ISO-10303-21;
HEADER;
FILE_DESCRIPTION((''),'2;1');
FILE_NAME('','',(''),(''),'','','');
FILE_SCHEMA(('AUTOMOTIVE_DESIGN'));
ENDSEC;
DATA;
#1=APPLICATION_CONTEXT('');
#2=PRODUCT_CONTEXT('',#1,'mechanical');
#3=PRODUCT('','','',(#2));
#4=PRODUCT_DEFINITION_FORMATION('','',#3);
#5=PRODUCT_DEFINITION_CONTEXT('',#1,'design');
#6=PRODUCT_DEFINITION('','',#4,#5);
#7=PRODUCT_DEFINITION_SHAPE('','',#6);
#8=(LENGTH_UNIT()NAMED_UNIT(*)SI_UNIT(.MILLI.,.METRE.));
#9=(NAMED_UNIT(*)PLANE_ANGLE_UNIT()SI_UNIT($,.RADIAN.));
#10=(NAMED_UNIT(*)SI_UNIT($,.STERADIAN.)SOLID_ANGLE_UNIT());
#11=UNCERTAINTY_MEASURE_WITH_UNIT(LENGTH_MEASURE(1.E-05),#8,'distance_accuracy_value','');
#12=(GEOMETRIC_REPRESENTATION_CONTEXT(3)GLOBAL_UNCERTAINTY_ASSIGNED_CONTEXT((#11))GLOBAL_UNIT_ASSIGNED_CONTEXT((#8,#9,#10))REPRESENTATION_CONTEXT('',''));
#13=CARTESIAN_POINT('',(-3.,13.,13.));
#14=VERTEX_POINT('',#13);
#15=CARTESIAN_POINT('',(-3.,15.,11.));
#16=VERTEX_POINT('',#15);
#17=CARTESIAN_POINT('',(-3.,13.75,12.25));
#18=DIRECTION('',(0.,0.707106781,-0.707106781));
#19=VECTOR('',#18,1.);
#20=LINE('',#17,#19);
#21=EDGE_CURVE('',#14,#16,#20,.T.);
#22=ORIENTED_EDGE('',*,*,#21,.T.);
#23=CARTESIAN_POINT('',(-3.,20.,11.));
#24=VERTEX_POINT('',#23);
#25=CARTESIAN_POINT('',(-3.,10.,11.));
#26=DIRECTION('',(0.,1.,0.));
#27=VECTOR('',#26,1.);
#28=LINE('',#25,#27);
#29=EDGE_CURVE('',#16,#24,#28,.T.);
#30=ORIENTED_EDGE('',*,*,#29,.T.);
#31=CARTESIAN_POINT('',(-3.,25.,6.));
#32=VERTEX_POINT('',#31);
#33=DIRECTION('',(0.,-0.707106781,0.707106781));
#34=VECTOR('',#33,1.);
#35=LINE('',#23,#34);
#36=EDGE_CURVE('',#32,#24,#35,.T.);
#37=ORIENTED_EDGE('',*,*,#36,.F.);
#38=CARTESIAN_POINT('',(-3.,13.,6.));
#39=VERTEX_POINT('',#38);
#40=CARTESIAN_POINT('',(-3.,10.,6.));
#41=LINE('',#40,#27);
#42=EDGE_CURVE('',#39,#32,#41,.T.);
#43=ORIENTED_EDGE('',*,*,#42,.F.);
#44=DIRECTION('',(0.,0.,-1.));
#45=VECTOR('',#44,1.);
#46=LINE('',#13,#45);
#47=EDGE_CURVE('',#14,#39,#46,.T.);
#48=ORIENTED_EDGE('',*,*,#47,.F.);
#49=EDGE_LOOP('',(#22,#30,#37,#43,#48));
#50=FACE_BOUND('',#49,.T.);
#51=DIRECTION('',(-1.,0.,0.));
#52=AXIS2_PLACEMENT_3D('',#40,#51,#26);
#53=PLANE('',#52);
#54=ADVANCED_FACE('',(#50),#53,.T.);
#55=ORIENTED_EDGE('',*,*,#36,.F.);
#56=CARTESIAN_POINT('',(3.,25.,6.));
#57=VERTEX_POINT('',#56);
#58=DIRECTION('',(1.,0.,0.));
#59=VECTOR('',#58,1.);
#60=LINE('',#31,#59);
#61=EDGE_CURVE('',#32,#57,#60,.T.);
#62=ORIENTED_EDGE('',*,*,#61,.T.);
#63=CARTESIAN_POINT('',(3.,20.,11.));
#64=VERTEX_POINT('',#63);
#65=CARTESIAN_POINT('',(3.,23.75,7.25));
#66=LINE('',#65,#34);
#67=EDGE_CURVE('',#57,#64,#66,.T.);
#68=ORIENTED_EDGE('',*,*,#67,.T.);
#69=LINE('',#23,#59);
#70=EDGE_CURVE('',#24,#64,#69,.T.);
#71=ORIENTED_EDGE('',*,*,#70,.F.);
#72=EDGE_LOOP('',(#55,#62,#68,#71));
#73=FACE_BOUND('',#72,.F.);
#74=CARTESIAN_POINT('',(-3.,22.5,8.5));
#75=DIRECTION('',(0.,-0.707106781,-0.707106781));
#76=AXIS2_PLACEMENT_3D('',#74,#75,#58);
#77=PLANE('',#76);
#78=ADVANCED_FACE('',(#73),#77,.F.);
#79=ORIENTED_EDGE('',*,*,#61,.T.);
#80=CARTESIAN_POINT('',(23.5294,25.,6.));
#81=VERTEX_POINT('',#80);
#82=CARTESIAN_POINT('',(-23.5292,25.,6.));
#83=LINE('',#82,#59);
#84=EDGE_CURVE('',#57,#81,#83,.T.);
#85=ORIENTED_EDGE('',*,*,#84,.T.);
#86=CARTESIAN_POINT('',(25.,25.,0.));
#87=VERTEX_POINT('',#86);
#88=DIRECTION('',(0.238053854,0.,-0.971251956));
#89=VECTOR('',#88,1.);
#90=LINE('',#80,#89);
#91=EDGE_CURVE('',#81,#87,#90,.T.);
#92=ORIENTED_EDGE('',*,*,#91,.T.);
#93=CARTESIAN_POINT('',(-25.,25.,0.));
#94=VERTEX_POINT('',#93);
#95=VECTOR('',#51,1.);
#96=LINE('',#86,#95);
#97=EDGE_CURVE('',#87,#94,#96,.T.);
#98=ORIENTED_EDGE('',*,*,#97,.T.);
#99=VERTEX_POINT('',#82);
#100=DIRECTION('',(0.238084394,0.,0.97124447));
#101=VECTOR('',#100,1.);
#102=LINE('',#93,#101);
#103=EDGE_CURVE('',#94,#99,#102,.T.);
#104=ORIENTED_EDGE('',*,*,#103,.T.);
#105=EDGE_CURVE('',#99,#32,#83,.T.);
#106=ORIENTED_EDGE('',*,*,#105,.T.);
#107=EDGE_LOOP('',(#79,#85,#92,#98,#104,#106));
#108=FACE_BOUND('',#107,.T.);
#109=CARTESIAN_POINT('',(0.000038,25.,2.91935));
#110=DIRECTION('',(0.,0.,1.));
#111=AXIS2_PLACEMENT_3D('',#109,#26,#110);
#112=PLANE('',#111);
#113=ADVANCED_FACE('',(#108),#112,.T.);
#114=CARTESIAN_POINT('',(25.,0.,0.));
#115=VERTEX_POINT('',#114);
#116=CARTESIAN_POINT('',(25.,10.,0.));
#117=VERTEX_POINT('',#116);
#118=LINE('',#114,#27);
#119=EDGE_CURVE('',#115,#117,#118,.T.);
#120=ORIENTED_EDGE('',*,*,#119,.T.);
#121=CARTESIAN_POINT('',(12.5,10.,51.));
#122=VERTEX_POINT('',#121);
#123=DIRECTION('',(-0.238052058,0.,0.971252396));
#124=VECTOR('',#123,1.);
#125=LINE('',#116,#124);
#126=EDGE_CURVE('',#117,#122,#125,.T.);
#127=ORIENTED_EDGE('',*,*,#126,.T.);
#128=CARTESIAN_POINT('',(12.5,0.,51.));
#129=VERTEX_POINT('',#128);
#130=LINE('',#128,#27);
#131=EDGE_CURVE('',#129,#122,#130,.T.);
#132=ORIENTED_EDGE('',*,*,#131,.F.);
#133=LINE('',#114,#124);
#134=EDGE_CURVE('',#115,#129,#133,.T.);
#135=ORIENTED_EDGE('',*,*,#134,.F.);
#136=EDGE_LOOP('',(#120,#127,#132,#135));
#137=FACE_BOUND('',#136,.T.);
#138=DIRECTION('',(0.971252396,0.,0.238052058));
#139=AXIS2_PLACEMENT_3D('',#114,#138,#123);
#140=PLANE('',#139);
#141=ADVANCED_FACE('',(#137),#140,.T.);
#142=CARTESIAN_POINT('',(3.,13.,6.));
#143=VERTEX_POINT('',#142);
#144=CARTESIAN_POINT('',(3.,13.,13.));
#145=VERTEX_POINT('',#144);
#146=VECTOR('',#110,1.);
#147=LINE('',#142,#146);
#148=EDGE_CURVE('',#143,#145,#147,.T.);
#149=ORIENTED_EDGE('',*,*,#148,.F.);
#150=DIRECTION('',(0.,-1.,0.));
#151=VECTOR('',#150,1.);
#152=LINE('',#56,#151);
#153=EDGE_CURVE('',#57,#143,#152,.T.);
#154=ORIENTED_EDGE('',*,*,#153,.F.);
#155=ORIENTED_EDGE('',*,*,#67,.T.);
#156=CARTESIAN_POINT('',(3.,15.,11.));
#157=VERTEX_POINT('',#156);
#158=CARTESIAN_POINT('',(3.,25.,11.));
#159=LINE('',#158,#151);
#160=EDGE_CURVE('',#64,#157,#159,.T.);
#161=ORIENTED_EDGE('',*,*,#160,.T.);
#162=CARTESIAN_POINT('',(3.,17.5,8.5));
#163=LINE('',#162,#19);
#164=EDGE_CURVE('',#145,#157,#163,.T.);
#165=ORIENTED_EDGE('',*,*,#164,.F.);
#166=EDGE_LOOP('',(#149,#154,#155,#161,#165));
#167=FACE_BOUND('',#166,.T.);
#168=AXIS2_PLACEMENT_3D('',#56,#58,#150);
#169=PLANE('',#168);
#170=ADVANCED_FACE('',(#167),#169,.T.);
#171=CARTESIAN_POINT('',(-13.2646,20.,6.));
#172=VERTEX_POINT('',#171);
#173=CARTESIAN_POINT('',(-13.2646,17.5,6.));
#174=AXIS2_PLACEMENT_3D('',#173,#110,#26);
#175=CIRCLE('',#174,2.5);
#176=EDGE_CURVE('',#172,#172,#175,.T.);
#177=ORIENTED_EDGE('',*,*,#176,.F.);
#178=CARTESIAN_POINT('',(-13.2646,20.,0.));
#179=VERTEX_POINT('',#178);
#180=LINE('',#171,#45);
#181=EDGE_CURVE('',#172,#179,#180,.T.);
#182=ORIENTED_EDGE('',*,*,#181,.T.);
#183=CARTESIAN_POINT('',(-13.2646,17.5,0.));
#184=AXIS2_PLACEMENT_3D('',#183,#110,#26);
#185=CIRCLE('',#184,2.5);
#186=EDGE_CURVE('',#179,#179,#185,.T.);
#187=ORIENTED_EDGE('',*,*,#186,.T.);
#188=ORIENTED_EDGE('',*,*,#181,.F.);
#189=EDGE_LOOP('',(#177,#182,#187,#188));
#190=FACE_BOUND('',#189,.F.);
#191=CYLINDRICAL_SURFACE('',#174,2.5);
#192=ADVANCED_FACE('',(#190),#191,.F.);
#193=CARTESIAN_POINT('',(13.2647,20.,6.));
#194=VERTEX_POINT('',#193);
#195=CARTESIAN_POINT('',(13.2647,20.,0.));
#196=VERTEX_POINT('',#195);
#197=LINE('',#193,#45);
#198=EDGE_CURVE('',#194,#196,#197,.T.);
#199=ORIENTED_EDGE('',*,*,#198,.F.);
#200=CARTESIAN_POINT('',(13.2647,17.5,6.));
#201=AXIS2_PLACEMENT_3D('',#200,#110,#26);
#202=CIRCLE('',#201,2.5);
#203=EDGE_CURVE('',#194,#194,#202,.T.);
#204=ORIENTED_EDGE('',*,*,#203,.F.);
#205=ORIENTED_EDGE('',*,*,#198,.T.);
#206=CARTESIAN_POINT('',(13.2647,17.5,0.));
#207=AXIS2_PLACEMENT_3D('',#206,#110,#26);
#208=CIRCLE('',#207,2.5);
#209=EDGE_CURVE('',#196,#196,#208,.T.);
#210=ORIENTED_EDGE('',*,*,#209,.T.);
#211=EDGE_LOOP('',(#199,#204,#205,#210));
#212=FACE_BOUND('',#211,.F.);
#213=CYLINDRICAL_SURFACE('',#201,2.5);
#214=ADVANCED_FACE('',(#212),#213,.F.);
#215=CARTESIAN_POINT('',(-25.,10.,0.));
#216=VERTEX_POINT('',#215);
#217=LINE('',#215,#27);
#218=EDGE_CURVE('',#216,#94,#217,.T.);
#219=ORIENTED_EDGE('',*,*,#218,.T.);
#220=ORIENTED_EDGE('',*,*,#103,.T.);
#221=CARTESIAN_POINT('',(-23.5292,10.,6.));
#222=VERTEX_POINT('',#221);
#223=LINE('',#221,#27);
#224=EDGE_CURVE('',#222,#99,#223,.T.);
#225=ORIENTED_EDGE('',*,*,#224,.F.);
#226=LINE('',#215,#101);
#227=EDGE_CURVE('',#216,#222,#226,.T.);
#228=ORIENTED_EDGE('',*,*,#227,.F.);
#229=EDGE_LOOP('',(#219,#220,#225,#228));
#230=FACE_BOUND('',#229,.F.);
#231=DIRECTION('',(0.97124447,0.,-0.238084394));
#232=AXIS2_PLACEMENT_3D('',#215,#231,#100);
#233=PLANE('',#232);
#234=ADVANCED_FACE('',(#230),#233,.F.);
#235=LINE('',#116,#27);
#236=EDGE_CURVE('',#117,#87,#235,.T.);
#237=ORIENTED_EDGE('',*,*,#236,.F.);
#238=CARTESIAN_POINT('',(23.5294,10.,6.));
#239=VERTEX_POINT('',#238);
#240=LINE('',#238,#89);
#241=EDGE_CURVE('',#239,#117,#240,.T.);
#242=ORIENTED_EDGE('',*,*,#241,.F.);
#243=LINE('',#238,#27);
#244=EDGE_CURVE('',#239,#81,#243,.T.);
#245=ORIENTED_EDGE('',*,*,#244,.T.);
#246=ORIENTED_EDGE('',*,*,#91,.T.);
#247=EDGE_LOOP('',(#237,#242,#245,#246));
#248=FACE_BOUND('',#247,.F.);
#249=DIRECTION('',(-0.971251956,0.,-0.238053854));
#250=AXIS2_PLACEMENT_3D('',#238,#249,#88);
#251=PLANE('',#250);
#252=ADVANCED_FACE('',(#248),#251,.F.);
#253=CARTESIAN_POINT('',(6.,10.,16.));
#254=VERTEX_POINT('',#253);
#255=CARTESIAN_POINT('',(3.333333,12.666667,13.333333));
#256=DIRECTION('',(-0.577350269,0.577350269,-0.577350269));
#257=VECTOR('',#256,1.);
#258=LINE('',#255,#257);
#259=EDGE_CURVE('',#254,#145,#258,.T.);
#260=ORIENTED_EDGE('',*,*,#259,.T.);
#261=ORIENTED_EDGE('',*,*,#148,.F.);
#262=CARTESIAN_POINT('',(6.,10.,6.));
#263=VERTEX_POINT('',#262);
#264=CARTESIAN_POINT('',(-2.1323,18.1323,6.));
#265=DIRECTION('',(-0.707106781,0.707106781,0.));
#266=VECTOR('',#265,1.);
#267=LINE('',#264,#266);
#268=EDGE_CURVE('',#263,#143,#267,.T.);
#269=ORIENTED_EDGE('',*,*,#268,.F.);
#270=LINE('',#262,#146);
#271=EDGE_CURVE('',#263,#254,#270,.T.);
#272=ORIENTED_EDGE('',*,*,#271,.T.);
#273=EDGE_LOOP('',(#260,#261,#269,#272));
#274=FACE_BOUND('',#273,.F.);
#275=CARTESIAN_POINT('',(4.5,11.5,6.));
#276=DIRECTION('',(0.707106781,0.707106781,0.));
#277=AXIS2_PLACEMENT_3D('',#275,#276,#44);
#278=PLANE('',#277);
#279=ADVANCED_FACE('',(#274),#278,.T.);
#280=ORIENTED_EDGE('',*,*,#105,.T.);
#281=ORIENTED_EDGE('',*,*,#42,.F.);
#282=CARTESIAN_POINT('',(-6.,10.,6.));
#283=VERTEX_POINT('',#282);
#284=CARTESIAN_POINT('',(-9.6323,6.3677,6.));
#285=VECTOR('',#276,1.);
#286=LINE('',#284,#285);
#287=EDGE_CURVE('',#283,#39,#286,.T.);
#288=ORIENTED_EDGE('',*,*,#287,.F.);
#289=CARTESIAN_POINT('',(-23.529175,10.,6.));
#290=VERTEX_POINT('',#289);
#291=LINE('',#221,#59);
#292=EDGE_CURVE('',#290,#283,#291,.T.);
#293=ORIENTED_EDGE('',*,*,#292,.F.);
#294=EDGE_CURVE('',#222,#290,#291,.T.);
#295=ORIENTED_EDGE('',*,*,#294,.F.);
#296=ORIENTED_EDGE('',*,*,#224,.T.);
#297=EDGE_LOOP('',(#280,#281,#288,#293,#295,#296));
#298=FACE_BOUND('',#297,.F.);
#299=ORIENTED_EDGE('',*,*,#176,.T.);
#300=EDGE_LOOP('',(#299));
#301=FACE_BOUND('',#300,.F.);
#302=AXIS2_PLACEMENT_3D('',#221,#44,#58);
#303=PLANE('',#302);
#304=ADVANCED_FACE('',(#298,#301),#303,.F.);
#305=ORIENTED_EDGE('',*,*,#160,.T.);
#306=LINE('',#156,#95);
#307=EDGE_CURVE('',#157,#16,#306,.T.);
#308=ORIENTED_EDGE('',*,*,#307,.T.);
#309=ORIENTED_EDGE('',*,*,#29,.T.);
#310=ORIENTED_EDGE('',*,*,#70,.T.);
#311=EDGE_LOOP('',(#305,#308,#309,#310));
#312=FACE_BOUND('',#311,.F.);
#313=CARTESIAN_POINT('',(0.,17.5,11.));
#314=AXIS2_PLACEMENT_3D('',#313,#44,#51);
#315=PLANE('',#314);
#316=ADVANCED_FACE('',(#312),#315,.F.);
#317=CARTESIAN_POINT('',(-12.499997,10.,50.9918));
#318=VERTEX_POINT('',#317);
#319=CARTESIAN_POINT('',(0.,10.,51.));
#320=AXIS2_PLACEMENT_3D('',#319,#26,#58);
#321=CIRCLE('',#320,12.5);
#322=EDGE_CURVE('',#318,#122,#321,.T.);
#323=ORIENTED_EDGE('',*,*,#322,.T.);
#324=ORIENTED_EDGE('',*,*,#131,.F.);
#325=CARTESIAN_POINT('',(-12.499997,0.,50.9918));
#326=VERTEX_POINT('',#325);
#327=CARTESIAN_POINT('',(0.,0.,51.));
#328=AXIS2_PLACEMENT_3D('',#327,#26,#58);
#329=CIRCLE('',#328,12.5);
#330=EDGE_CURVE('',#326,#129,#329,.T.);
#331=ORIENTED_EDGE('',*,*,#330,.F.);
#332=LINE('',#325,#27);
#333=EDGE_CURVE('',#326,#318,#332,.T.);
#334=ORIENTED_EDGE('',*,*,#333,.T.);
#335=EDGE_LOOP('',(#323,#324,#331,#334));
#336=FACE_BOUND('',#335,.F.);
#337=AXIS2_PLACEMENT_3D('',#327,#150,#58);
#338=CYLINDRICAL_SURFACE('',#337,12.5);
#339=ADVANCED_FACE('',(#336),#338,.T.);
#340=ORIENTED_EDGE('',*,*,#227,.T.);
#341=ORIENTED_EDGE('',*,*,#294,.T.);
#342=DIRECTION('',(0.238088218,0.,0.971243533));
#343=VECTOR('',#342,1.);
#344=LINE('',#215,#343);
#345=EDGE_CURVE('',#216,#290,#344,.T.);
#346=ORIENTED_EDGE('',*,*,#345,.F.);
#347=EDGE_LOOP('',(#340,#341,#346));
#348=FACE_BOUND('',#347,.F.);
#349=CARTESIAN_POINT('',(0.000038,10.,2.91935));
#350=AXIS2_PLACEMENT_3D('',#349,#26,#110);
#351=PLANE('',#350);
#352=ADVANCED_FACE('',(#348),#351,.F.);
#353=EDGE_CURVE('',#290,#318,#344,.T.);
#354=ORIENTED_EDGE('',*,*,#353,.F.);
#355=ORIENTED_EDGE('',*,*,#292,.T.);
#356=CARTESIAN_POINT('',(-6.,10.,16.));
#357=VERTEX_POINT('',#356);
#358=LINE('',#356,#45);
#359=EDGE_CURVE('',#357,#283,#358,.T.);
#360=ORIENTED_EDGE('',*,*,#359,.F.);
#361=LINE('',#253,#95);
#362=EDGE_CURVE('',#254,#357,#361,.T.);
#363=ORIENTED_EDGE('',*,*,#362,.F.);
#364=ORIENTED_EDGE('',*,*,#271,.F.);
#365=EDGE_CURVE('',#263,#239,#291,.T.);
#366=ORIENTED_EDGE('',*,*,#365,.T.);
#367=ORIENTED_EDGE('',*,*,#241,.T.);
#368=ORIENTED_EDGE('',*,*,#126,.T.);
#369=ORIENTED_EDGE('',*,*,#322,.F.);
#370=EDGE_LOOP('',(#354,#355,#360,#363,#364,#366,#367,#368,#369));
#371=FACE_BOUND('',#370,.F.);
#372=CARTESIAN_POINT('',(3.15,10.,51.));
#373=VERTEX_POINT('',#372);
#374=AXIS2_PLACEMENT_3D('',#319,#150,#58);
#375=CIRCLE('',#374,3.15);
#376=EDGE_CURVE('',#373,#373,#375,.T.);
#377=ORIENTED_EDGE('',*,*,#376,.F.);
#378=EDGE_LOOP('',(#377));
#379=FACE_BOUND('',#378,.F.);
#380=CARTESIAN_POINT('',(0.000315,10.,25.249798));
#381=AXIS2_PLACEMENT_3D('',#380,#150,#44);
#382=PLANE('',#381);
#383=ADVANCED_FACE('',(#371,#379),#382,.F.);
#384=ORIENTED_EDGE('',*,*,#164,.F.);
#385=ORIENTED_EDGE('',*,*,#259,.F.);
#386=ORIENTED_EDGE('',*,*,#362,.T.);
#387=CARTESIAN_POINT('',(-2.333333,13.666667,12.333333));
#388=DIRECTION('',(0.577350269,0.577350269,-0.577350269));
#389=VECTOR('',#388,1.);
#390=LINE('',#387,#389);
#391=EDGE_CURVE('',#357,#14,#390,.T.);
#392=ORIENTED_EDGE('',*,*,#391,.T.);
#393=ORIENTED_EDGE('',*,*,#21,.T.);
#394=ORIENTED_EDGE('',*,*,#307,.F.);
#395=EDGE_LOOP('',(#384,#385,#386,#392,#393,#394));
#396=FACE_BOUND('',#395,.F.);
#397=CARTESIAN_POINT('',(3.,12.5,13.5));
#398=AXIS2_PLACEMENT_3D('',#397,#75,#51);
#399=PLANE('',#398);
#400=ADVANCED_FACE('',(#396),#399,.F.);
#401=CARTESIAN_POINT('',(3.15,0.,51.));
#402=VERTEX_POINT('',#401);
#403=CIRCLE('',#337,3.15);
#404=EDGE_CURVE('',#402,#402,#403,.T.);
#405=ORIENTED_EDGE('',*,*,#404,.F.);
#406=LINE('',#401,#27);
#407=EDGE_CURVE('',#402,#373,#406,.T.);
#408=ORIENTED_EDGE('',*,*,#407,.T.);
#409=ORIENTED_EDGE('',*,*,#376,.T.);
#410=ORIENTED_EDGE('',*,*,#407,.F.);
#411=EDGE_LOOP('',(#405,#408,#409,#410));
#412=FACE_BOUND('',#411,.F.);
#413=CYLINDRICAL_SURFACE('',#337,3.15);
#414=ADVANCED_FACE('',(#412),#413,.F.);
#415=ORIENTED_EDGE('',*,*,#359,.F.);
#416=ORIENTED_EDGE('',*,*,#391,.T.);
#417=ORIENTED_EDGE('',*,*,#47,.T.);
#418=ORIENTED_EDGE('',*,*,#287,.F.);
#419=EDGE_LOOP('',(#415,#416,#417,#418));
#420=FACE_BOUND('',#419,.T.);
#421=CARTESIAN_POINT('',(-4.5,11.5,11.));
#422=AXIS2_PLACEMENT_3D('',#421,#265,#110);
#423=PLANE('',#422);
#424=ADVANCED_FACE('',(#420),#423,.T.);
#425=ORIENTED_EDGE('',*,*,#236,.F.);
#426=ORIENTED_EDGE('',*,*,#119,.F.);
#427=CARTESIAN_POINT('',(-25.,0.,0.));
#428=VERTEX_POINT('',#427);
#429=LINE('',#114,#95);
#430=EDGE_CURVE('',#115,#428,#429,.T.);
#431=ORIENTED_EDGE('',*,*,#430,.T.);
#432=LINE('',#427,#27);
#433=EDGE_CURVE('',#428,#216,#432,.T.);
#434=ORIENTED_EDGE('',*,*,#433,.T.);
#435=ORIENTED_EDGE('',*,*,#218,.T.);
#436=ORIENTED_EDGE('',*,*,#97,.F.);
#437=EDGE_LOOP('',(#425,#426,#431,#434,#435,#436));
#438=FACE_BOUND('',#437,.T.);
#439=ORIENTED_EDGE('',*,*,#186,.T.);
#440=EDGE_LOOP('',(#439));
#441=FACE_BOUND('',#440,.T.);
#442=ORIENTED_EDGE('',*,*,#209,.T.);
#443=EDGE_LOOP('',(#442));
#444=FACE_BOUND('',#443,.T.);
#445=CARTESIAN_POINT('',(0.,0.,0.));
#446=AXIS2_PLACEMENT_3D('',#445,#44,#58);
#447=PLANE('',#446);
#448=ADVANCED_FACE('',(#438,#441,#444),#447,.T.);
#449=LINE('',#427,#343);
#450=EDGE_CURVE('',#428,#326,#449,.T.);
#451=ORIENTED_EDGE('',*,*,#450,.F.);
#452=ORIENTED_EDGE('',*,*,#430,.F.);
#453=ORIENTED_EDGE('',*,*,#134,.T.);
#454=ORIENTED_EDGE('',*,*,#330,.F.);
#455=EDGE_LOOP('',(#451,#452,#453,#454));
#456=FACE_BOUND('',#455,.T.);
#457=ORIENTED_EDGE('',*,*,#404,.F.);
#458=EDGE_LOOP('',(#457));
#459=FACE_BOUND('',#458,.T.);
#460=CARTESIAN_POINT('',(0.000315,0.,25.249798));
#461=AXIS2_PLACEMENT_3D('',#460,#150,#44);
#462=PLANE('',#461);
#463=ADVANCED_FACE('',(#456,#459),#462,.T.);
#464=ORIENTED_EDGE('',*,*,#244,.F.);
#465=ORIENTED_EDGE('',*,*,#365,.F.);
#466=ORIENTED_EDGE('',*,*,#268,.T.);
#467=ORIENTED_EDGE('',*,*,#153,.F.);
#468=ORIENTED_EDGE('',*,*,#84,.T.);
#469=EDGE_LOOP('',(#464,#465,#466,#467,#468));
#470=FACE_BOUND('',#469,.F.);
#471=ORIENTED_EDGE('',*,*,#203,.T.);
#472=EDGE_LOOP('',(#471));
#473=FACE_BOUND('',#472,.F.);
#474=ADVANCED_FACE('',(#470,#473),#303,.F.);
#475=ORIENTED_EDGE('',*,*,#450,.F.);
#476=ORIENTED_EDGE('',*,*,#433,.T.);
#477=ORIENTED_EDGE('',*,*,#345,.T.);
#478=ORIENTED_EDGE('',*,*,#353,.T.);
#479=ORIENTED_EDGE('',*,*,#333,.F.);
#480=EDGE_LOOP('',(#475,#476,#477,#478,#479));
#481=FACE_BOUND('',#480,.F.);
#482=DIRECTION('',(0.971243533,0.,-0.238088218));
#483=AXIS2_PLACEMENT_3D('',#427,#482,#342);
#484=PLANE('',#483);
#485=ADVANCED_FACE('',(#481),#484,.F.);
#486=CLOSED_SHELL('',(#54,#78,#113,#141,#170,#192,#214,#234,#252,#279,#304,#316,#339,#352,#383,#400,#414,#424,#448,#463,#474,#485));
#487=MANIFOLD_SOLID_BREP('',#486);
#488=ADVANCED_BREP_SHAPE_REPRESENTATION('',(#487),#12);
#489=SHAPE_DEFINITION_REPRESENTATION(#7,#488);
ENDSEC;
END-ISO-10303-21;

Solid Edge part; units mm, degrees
sketch "Sketch1" plane through (0, 0, 0) normal (0, -1, 0) x (1, 0, 0)
  circle A0 centre (0, 51) radius 3.15
  line L0 (25, 0) -> (12.5, 51)
  line L1 (0, 0) -> (25, 0)
  line L2 (0, 0) -> (-25, 0)
  line L3 (-25, 0) -> (-12.5, 50.9918)
  arc A1 (-12.5, 50.9918) -> (12.5, 51) centre (0, 51) cw
extrude "Protrusion1" add sketch "Sketch1" against normal blind 10
sketch "Sketch2" plane through (0, 10, 31.75) normal (0, 1, 0) x (-1, 0, 0)
  line L0 (23.5292, -25.75) -> (-23.5294, -25.75)
  line L1 (-23.5294, -25.75) -> (-25, -31.75)
  line L2 (-25, -31.75) -> (25, -31.75)
  line L3 (25, -31.75) -> (23.5292, -25.75)
extrude "ExtrudedProtrusion_5" add sketch "Sketch2" along normal blind 15
sketch "Sketch3" plane through (0.0001, 17.5, 6) normal (0, 0, 1) x (-1, 0, 0)
  line L0 (3.0001, 7.5) -> (3.0001, -7.5)
  line L1 (3.0001, -7.5) -> (-2.9999, -7.5)
  line L2 (-2.9999, -7.5) -> (-2.9999, 7.5)
  line L3 (-2.9999, 7.5) -> (3.0001, 7.5)
extrude "ExtrudedProtrusion_6" add sketch "Sketch3" along normal blind 5
chamfer "Chamfer_4" distance 5 angle 45 2 edges at (0, 10, 11) (0, 25, 11)
chamfer "Chamfer_5" distance 3 angle 45 2 edges at (3, 10, 11) (-3, 10, 11)
sketch "Sketch4" plane through (13.2647, 17.5, 6) normal (0, 0, 1) x (0, 1, 0)
  circle A0 centre (0, 0) radius 2.5
  circle A1 centre (0, 26.5293) radius 2.5
  dimension "D1" = 5
  dimension "D2" = 5
extrude "Cutout1" cut sketch "Sketch4" against normal up to next
